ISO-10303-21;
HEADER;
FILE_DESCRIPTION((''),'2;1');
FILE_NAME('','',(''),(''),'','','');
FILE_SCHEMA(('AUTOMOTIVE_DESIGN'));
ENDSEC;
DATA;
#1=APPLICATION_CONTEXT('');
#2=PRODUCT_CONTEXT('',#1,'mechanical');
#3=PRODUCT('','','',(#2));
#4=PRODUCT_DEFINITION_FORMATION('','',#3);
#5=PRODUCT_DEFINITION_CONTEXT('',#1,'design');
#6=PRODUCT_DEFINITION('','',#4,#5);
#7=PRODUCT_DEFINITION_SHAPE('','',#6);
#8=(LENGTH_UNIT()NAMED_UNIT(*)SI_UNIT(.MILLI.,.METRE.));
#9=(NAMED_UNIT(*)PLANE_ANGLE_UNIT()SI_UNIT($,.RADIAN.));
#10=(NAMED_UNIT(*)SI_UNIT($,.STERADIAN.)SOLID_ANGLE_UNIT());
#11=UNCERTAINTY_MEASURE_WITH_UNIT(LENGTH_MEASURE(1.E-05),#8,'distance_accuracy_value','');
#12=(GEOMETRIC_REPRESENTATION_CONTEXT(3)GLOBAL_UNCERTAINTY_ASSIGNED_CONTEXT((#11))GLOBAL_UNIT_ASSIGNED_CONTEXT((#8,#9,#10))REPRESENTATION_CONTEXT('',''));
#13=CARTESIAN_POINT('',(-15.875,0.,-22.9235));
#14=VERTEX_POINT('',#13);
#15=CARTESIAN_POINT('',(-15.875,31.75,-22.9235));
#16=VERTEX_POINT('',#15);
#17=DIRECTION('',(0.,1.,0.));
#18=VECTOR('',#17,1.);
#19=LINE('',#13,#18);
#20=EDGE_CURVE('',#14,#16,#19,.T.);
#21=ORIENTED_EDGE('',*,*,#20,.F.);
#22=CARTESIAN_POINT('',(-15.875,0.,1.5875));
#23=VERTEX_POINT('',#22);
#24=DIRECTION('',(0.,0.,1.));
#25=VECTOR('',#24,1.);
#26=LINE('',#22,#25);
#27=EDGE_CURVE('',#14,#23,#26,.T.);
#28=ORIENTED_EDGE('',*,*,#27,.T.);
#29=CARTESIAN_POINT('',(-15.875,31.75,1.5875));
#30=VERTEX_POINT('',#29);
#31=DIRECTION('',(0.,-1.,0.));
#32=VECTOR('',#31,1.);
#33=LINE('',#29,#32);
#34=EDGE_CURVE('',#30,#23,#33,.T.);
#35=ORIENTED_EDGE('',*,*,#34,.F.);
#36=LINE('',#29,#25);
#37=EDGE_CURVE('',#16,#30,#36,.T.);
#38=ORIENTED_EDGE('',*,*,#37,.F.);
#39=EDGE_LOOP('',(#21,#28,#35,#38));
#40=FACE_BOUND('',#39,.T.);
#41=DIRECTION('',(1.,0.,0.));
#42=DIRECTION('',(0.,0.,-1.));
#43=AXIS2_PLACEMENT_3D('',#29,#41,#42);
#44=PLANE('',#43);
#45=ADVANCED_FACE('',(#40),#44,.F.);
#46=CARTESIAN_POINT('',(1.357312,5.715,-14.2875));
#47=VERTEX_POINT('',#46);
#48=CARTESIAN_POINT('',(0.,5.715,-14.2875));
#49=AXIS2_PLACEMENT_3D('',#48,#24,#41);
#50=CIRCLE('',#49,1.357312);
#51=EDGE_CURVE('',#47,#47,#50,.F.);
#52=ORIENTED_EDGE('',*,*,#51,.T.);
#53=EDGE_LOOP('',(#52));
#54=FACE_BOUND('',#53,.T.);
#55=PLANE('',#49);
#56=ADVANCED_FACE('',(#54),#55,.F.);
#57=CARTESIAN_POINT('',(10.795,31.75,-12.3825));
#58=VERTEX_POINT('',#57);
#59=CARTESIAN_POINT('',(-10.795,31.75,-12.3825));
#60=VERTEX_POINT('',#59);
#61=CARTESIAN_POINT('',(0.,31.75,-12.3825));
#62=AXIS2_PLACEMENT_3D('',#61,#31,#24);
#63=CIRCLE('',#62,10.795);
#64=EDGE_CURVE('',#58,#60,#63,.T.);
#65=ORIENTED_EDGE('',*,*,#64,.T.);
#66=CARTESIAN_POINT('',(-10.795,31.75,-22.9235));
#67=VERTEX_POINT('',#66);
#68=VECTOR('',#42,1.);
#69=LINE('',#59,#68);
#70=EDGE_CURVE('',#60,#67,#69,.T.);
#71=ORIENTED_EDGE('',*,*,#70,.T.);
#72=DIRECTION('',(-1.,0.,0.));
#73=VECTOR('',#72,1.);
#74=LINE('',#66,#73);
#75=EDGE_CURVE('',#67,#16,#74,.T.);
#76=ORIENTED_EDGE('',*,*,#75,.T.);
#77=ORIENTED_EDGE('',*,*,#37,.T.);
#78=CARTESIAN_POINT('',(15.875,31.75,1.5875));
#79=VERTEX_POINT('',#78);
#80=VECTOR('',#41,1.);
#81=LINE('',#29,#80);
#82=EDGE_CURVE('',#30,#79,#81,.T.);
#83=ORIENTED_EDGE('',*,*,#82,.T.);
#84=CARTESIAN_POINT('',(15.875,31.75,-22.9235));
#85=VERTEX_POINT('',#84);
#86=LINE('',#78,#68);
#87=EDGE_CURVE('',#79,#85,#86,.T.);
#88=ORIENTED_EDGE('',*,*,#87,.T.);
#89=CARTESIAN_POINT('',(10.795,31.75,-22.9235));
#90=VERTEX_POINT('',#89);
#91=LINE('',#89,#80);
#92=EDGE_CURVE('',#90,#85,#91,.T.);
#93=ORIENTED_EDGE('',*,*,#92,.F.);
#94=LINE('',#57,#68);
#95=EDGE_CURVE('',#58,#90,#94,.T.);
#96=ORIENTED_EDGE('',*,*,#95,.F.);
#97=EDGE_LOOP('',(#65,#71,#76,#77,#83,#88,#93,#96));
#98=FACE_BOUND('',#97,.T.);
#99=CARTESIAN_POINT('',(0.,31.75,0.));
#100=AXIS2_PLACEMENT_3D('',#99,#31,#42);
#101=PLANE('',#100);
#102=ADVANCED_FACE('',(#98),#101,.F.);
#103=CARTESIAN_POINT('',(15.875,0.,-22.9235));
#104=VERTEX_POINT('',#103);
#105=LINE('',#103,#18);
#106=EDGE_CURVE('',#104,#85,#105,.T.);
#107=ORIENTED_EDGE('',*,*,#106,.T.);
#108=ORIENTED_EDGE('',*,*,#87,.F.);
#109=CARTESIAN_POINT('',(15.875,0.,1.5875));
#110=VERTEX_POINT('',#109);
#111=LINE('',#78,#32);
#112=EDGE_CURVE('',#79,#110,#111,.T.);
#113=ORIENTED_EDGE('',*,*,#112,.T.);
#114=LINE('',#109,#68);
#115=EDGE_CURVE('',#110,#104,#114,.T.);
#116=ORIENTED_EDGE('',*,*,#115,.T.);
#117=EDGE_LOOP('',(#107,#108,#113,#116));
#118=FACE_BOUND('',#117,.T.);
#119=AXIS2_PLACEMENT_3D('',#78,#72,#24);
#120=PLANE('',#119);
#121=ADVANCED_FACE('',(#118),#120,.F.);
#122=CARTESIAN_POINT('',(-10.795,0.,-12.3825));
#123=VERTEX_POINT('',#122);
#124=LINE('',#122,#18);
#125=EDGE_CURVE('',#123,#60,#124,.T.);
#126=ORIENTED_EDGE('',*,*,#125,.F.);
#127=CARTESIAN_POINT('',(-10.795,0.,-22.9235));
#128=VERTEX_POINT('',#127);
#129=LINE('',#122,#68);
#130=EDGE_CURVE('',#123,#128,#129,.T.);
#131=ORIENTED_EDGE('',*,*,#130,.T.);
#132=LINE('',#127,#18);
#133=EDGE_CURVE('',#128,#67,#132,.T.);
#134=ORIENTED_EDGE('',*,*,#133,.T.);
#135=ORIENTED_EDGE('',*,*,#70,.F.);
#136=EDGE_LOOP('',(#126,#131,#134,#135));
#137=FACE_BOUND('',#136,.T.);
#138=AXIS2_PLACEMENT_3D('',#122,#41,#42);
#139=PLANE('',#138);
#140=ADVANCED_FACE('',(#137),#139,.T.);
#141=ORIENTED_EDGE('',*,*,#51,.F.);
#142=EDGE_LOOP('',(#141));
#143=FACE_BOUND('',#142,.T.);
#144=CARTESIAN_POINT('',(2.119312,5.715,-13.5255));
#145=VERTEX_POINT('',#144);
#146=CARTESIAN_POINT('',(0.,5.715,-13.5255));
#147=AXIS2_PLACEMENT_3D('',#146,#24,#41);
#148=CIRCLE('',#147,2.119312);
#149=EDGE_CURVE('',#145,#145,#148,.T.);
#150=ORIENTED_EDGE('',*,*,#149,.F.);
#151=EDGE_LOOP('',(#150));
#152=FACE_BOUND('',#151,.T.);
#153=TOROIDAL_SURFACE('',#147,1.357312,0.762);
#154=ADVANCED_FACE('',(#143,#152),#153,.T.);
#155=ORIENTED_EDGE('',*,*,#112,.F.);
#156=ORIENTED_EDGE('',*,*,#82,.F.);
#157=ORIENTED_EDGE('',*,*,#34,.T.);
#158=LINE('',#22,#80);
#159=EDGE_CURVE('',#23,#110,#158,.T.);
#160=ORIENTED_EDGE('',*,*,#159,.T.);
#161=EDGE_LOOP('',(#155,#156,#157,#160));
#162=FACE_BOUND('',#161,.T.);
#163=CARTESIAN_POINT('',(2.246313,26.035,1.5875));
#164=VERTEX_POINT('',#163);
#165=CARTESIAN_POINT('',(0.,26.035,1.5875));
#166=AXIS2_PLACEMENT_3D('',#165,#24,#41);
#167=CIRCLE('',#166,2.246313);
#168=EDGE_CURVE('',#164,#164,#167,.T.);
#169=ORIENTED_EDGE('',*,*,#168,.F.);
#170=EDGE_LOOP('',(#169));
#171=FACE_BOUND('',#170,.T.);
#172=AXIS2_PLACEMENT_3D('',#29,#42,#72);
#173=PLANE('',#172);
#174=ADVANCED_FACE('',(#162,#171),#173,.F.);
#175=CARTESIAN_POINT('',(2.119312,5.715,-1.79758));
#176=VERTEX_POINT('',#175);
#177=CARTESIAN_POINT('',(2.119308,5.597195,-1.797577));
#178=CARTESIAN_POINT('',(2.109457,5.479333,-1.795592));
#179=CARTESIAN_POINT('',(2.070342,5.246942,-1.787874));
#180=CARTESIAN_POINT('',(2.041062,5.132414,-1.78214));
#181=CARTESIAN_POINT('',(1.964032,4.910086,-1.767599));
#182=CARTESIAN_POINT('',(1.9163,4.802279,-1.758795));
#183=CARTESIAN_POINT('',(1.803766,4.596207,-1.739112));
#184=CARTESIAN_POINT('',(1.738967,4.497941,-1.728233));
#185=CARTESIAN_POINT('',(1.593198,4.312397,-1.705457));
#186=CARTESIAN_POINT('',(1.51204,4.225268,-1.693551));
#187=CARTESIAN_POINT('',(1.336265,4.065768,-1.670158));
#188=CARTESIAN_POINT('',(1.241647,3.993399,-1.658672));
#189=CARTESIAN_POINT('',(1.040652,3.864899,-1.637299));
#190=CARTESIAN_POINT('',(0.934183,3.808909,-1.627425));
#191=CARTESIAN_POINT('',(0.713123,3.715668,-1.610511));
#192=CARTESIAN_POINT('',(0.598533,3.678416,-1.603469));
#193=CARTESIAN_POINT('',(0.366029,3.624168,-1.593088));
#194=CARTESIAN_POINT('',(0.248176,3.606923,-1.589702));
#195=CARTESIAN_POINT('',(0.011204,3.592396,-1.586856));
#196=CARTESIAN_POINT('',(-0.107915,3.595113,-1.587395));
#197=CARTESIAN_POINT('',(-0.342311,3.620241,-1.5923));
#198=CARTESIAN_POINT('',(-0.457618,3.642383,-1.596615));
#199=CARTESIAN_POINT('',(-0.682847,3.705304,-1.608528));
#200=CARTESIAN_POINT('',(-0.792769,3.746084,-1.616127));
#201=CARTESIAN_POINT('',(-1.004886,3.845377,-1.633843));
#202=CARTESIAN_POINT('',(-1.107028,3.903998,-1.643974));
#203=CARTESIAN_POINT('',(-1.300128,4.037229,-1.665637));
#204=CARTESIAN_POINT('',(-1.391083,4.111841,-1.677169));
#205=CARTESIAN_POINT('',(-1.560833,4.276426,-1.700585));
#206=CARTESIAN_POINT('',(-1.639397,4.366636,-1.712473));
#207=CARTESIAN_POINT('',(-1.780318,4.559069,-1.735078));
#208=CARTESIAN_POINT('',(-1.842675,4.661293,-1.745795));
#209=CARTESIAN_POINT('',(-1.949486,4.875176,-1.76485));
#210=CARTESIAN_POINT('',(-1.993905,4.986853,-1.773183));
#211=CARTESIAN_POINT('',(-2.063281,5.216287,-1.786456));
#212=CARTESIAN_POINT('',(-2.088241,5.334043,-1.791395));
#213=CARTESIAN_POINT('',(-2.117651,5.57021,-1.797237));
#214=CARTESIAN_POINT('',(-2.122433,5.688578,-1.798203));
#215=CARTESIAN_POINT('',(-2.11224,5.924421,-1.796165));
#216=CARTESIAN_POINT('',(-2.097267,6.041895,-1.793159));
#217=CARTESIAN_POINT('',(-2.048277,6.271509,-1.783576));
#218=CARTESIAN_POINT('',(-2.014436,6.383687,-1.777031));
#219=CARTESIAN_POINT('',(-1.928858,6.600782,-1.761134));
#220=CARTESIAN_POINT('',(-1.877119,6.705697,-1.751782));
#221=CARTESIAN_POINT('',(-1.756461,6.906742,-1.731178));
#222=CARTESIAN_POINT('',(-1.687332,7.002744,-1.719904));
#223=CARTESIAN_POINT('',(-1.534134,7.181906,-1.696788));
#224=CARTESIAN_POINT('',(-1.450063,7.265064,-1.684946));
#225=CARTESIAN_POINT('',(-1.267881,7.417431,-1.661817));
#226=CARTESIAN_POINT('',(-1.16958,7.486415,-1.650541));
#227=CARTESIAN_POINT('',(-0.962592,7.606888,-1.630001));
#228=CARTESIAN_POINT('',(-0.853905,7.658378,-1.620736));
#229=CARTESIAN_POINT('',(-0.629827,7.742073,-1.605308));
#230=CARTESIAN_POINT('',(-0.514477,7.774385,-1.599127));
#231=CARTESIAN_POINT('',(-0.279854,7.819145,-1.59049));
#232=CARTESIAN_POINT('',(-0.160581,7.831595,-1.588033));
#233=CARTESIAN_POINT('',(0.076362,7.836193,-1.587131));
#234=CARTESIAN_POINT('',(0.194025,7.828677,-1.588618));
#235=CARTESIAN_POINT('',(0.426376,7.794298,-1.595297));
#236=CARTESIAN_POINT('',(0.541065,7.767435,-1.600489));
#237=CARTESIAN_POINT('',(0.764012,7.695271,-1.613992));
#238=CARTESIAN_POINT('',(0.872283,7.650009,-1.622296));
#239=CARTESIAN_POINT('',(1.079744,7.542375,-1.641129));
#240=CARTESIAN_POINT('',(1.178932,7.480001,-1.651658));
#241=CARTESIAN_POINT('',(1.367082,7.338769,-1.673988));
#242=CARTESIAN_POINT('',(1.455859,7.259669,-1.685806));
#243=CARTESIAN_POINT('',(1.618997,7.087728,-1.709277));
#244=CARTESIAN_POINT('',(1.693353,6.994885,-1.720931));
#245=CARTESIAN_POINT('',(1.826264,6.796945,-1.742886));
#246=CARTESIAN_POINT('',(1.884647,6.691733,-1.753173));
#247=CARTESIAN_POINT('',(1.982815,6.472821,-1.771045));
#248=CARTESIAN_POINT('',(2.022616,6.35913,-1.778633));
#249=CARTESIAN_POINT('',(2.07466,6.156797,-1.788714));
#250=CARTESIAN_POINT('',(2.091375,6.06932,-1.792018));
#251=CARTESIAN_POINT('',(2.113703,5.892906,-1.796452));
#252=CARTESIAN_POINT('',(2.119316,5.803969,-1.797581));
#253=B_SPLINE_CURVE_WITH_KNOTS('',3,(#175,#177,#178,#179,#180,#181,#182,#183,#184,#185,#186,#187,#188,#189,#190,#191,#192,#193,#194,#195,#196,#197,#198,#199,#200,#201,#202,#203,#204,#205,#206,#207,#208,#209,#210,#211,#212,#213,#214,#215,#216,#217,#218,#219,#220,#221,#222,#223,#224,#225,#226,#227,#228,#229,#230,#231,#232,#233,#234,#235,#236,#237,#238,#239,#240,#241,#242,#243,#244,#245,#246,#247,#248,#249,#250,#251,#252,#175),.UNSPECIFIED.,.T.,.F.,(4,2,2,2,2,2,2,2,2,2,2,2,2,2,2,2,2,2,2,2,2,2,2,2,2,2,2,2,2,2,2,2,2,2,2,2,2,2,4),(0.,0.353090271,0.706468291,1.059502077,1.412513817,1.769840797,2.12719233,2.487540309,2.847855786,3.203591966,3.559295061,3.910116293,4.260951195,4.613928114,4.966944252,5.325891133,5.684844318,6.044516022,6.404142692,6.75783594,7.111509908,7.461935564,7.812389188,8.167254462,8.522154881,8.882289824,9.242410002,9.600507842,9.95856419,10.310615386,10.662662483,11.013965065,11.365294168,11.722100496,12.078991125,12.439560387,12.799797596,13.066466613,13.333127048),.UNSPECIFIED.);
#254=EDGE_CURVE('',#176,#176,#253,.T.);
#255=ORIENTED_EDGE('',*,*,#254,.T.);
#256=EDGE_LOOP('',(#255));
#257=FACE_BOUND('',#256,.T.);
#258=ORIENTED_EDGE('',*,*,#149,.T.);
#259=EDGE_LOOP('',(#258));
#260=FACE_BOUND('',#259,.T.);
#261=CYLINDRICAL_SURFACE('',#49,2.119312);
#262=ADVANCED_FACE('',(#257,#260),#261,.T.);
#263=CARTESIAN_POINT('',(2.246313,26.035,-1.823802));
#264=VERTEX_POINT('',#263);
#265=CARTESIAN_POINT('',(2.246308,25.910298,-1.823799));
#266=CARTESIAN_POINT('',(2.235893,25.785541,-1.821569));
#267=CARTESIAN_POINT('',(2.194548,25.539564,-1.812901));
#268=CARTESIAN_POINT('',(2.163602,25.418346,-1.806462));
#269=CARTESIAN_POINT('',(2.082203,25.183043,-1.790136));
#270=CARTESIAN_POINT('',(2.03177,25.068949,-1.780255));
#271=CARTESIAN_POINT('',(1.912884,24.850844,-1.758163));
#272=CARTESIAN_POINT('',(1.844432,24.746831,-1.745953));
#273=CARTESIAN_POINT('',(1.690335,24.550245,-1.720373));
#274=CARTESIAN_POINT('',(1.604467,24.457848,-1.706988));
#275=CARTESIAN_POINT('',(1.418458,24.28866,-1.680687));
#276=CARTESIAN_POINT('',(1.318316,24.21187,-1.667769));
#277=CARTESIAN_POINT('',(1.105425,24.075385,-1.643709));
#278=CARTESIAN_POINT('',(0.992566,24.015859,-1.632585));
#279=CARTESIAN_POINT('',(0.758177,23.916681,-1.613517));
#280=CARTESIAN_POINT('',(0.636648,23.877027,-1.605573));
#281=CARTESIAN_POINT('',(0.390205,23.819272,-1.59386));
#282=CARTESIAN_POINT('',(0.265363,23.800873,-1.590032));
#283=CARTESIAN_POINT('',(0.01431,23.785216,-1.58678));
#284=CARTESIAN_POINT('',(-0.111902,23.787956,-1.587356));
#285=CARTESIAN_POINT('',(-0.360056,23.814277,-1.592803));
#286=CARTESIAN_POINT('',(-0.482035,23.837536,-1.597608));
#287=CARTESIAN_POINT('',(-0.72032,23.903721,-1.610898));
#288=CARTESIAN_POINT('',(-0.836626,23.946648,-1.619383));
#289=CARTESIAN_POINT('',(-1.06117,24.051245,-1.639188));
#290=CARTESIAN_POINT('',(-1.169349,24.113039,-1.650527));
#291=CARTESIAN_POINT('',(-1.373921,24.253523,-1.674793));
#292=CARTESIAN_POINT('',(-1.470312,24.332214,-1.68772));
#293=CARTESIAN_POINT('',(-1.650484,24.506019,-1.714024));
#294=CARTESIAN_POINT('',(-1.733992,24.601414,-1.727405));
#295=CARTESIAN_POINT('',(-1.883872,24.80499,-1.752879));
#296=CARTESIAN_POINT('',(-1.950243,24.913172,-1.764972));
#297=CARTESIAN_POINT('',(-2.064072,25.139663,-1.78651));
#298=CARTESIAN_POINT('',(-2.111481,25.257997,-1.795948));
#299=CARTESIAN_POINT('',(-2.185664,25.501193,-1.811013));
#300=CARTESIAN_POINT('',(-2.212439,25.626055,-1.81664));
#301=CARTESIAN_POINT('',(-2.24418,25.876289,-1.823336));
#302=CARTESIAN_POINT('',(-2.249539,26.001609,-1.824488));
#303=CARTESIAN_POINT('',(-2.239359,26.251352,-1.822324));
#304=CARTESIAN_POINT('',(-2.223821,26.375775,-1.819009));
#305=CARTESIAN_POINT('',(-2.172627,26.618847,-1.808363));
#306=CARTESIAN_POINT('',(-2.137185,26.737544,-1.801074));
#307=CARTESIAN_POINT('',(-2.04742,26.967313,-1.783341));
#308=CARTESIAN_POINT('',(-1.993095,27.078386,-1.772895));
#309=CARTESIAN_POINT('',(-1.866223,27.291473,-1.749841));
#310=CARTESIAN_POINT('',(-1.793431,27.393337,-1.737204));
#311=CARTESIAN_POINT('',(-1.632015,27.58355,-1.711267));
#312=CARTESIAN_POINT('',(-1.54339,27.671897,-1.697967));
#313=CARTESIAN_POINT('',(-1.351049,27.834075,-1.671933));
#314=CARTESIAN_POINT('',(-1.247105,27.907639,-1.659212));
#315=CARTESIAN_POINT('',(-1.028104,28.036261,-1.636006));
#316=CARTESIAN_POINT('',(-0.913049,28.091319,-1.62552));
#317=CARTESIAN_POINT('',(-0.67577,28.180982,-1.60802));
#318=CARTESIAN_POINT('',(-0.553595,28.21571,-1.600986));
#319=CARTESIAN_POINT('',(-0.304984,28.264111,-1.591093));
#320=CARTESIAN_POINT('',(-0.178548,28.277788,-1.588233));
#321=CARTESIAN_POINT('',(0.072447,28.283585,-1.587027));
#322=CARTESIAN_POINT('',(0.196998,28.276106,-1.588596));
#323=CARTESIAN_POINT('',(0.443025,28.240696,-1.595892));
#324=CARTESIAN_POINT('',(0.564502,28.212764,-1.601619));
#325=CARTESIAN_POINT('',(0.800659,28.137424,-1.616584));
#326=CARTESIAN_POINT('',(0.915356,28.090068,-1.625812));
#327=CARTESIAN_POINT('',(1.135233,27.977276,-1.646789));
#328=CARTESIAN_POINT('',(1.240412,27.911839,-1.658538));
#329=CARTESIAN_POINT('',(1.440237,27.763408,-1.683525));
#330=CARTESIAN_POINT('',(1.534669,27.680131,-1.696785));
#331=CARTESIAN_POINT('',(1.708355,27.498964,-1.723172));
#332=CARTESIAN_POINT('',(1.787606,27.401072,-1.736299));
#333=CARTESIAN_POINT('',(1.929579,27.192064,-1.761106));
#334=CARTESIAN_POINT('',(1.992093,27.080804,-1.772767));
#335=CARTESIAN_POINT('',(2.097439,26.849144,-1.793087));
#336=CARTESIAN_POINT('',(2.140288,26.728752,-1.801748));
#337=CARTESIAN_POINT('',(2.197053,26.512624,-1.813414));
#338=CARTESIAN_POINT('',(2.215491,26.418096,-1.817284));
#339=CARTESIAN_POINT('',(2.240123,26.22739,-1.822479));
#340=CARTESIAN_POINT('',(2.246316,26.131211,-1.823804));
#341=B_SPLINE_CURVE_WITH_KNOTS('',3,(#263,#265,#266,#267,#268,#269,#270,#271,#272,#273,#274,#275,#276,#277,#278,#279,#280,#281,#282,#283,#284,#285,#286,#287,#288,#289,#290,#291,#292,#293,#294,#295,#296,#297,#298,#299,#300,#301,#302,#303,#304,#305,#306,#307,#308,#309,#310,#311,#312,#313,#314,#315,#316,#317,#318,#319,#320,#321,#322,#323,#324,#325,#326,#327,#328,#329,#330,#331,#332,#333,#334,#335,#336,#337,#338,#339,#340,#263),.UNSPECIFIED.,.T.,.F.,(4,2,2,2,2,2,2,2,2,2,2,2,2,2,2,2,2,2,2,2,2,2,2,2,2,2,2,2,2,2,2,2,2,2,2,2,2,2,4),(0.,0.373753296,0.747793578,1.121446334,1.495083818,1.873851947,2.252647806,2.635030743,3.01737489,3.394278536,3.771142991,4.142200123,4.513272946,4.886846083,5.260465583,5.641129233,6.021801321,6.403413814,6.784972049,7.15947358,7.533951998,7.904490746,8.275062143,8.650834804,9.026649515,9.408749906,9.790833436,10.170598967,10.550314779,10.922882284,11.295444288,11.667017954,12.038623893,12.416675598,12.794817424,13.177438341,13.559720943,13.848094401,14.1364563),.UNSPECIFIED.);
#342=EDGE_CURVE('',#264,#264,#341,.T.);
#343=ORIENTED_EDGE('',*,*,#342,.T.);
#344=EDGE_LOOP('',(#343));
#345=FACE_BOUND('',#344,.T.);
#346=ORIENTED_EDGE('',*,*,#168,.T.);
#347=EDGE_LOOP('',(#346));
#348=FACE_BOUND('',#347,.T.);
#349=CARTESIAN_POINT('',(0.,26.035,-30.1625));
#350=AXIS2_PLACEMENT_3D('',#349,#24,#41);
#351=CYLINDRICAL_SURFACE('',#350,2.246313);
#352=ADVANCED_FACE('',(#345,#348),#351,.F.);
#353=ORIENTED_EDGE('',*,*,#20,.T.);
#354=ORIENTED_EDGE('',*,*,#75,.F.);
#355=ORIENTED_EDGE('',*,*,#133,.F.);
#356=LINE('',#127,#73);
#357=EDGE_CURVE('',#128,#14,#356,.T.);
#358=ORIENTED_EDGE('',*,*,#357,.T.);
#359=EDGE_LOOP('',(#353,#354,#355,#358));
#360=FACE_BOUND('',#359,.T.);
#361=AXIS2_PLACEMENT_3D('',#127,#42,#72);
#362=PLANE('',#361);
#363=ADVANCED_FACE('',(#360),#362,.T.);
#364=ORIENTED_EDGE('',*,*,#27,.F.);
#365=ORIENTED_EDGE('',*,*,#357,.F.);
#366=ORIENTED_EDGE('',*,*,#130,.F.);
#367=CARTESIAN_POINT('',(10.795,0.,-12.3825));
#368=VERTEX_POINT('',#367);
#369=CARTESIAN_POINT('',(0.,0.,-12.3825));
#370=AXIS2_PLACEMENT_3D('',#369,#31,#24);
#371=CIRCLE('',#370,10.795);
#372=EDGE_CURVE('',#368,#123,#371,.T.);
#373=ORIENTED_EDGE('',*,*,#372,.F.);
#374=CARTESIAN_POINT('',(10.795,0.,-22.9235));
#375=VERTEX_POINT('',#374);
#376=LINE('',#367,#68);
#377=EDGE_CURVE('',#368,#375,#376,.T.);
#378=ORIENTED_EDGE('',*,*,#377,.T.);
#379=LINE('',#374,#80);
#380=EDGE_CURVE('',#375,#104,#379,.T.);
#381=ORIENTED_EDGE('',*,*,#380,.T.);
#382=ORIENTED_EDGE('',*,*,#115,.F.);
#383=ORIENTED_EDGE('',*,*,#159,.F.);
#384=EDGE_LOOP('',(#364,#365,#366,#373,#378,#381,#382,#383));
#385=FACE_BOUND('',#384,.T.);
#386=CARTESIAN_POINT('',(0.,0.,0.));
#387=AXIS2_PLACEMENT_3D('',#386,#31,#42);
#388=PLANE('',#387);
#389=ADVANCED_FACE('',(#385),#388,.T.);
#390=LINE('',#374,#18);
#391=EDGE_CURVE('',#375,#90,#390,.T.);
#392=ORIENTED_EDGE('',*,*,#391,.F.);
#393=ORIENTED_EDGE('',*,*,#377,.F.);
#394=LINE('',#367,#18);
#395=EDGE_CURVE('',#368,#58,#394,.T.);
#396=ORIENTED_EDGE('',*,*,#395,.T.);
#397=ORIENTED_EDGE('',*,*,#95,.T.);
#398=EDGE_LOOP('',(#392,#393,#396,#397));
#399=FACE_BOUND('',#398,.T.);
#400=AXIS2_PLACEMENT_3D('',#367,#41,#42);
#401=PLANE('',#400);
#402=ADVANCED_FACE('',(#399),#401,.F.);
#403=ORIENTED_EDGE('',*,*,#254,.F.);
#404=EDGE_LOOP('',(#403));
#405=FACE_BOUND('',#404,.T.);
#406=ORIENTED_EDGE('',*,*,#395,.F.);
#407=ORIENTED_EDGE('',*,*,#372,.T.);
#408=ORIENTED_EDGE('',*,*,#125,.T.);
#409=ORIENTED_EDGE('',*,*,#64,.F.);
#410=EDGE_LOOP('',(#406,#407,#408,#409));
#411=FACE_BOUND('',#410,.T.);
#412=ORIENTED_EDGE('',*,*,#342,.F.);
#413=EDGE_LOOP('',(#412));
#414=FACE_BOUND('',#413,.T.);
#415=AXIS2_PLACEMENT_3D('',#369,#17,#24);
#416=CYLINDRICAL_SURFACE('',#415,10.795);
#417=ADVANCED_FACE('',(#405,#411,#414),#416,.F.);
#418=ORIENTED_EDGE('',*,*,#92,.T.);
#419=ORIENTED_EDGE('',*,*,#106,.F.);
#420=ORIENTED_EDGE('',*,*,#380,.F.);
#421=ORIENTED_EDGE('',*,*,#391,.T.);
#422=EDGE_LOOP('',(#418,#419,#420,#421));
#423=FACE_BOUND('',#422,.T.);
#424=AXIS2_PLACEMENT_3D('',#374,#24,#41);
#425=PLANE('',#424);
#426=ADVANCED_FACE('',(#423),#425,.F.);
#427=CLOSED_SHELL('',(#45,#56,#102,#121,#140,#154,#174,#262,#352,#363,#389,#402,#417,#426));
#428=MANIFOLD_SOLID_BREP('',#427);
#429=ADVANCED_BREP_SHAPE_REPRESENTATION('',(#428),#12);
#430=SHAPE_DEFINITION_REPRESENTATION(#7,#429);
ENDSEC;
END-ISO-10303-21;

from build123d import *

# Parameters (mm, degrees)
SKETCH1_W           = 31.75
SKETCH1_H           = 3.175
BOSS_EXTRUDE1_DEPTH = 31.75
BOSS_EXTRUDE2_DEPTH = 31.75
SKETCH3_W           = 5.08
SKETCH3_H           = 10.541
BOSS_EXTRUDE3_DEPTH = 31.75
SKETCH4_R           = 2.2463125
SKETCH4_R_2         = 2.1193125
CUT_EXTRUDE1_DEPTH  = 31.75
SKETCH6_R           = 2.1193125
BOSS_EXTRUDE4_DEPTH = 15.875
FILLET1_R           = 0.762


with BuildPart() as part:
    # Sketch1 → Boss-Extrude1 (new body)
    with BuildSketch(Plane(origin=(0, 0, 0), x_dir=(1, 0, 0), z_dir=(0, 1, 0))):
        Rectangle(SKETCH1_W, SKETCH1_H)
    extrude(amount=BOSS_EXTRUDE1_DEPTH)

    # Sketch2 → Boss-Extrude2 (add)
    with BuildSketch(Plane(origin=(0, 31.75, 0), x_dir=(1, 0, 0), z_dir=(0, 1, 0))):
        with BuildLine():
            Line((-15.875, 1.5875), (-15.875, 12.3825))
            Line((-15.875, 12.3825), (-10.795, 12.3825))
            ThreePointArc((-10.795, 12.3825), (-7.633217703, 4.749282297), (0, 1.5875))
            Line((0, 1.5875), (-15.875, 1.5875))
        make_face()
    boss_extrude2 = extrude(amount=-BOSS_EXTRUDE2_DEPTH)

    # Mirror1: Boss-Extrude2 across plane
    add(boss_extrude2.mirror(Plane(origin=(0, 0, 0), x_dir=(0, 0, 1), z_dir=(1, 0, 0))))

    # Sketch3 → Boss-Extrude3 (add)
    with BuildSketch(Plane(origin=(0, 31.75, 0), x_dir=(1, 0, 0), z_dir=(0, 1, 0))):
        with Locations((-13.335, 17.653)):
            Rectangle(SKETCH3_W, SKETCH3_H)
    boss_extrude3 = extrude(amount=-BOSS_EXTRUDE3_DEPTH)

    # Mirror2: Boss-Extrude3 across plane
    add(boss_extrude3.mirror(Plane(origin=(0, 0, 0), x_dir=(0, 0, 1), z_dir=(1, 0, 0))))

    # Sketch4 → Cut-Extrude1 (cut)
    with BuildSketch(Plane.XY.offset(1.5875)):
        with Locations((0, 26.035)):
            Circle(SKETCH4_R)
        with Locations((0, 5.715)):
            Circle(SKETCH4_R_2)
    extrude(amount=-CUT_EXTRUDE1_DEPTH, mode=Mode.SUBTRACT)

    # Sketch6 → Boss-Extrude4 (add)
    with BuildSketch(Plane.XY.offset(1.5875)):
        with Locations((0, 5.715)):
            Circle(SKETCH6_R)
    extrude(amount=-BOSS_EXTRUDE4_DEPTH)

    # Fillet1
    fillet1_edges = [part.edges().sort_by_distance(p)[0] for p in [
        (-2.1193125, 5.715, -14.2875),
    ]]
    fillet(fillet1_edges, radius=FILLET1_R)


solid = part.part
